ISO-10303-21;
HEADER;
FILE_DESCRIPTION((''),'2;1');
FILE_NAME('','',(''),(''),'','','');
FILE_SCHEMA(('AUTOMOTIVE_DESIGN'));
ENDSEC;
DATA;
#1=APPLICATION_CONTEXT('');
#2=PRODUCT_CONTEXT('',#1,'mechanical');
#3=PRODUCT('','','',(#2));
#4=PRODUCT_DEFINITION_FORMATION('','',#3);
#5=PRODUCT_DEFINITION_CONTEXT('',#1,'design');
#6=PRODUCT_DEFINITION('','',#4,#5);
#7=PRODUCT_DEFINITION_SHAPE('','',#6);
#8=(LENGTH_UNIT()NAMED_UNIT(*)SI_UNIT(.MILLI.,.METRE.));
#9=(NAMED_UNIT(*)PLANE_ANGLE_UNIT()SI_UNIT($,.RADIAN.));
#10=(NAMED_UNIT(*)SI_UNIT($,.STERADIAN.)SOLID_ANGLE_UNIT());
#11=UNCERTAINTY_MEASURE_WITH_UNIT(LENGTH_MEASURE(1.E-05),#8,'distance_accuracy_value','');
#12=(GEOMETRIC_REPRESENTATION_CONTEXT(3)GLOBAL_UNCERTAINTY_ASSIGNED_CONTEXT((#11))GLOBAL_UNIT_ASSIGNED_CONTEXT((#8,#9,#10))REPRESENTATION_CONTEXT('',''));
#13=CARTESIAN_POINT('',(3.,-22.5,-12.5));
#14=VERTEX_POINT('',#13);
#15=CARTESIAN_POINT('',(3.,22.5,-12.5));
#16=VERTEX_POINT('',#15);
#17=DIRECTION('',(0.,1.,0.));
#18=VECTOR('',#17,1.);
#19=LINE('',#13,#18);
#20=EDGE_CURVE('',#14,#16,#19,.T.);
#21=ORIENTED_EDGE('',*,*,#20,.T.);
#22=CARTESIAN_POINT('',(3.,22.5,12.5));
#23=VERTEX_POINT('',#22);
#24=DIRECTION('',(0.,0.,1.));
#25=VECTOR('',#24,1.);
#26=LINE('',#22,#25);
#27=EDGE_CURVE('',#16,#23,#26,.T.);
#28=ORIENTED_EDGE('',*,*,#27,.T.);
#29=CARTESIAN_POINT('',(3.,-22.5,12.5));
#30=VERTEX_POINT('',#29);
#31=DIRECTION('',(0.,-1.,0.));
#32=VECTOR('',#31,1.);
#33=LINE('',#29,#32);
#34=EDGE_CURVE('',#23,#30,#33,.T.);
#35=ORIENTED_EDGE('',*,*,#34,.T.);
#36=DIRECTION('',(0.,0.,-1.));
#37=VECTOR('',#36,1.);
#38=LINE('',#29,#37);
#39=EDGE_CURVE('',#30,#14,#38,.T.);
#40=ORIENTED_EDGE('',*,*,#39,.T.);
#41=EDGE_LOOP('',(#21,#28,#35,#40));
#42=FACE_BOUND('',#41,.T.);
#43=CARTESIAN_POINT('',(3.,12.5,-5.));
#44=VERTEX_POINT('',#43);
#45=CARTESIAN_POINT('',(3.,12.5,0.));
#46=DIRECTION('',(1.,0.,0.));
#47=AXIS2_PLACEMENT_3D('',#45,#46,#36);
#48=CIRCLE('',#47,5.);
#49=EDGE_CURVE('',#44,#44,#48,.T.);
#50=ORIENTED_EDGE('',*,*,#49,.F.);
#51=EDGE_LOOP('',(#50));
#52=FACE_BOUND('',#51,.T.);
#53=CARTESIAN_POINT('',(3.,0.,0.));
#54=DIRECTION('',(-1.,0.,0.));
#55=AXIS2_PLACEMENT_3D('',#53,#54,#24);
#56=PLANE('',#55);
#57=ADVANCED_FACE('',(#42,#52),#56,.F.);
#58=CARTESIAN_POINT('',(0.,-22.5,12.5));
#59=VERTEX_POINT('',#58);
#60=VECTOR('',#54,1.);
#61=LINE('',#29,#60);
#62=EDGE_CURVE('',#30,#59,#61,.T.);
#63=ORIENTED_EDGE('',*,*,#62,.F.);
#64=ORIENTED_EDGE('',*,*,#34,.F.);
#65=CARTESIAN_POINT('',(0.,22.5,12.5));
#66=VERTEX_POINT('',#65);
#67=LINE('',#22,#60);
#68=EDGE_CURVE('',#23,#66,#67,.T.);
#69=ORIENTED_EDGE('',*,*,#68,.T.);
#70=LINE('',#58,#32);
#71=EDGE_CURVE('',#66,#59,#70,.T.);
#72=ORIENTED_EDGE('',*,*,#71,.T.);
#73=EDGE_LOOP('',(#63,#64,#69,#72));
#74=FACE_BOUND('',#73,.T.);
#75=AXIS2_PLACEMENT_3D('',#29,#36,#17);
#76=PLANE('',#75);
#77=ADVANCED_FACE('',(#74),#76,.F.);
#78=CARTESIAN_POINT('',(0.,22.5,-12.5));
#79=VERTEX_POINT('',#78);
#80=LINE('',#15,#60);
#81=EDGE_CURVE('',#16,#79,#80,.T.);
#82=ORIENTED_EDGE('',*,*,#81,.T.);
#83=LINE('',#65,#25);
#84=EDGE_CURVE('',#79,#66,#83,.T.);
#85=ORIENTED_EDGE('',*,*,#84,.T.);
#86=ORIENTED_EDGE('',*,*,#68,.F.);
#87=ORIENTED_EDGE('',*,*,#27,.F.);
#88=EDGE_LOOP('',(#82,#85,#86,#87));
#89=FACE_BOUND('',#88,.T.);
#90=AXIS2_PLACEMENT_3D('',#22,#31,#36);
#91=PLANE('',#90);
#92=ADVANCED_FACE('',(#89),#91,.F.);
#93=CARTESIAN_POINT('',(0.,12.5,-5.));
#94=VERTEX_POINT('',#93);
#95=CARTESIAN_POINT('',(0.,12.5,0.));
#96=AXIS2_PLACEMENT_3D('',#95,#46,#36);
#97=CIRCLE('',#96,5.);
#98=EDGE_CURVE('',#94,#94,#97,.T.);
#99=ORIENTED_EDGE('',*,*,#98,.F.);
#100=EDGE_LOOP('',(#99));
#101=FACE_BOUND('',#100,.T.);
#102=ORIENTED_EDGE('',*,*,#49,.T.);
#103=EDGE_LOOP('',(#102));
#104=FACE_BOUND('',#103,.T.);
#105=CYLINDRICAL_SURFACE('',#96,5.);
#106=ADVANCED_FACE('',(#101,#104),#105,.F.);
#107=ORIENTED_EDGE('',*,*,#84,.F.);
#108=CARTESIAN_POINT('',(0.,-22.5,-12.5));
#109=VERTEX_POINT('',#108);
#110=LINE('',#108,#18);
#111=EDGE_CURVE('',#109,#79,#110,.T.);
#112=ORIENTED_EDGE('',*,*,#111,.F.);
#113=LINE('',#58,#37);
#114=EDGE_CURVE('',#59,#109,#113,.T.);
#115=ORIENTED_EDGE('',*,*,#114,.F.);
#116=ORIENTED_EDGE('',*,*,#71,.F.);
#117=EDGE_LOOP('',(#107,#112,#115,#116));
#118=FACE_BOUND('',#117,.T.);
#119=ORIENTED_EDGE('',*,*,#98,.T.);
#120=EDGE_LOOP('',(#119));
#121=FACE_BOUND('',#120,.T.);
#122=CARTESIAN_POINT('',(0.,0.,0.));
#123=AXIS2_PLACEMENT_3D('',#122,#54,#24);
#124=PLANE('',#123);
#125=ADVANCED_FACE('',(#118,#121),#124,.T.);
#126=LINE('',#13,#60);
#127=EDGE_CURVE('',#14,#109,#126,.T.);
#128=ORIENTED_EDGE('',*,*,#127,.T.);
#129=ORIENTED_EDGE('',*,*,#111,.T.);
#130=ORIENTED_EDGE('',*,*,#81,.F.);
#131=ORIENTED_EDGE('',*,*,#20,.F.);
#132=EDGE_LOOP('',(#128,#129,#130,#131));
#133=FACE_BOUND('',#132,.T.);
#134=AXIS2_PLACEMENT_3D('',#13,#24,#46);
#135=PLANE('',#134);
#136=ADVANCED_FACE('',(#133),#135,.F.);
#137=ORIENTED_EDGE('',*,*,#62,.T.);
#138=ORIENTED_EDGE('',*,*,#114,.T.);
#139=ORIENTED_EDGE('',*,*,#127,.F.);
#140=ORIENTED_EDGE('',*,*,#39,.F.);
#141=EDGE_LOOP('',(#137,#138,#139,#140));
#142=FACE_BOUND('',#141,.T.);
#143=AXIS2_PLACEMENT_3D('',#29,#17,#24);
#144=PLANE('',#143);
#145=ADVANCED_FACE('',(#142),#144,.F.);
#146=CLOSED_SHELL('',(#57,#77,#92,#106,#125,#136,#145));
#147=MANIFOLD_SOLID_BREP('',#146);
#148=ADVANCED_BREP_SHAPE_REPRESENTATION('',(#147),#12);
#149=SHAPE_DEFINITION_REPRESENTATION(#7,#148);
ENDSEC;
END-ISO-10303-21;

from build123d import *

# Parameters (mm, degrees)
SKETCH1_W           = 25
SKETCH1_H           = 45
BOSS_EXTRUDE1_DEPTH = 3
SKETCH2_R           = 5
CUT_EXTRUDE1_DEPTH  = 3


with BuildPart() as part:
    # Sketch1 → Boss-Extrude1 (new body)
    with BuildSketch(Plane(origin=(0, 0, 0), x_dir=(0, 0, -1), z_dir=(1, 0, 0))):
        Rectangle(SKETCH1_W, SKETCH1_H)
    extrude(amount=BOSS_EXTRUDE1_DEPTH)

    # Sketch2 → Cut-Extrude1 (cut)
    with BuildSketch(Plane(origin=(3, 0, 0), x_dir=(0, 0, -1), z_dir=(1, 0, 0))):
        with Locations((0, 12.5)):
            Circle(SKETCH2_R)
    extrude(amount=-CUT_EXTRUDE1_DEPTH, mode=Mode.SUBTRACT)


solid = part.part
